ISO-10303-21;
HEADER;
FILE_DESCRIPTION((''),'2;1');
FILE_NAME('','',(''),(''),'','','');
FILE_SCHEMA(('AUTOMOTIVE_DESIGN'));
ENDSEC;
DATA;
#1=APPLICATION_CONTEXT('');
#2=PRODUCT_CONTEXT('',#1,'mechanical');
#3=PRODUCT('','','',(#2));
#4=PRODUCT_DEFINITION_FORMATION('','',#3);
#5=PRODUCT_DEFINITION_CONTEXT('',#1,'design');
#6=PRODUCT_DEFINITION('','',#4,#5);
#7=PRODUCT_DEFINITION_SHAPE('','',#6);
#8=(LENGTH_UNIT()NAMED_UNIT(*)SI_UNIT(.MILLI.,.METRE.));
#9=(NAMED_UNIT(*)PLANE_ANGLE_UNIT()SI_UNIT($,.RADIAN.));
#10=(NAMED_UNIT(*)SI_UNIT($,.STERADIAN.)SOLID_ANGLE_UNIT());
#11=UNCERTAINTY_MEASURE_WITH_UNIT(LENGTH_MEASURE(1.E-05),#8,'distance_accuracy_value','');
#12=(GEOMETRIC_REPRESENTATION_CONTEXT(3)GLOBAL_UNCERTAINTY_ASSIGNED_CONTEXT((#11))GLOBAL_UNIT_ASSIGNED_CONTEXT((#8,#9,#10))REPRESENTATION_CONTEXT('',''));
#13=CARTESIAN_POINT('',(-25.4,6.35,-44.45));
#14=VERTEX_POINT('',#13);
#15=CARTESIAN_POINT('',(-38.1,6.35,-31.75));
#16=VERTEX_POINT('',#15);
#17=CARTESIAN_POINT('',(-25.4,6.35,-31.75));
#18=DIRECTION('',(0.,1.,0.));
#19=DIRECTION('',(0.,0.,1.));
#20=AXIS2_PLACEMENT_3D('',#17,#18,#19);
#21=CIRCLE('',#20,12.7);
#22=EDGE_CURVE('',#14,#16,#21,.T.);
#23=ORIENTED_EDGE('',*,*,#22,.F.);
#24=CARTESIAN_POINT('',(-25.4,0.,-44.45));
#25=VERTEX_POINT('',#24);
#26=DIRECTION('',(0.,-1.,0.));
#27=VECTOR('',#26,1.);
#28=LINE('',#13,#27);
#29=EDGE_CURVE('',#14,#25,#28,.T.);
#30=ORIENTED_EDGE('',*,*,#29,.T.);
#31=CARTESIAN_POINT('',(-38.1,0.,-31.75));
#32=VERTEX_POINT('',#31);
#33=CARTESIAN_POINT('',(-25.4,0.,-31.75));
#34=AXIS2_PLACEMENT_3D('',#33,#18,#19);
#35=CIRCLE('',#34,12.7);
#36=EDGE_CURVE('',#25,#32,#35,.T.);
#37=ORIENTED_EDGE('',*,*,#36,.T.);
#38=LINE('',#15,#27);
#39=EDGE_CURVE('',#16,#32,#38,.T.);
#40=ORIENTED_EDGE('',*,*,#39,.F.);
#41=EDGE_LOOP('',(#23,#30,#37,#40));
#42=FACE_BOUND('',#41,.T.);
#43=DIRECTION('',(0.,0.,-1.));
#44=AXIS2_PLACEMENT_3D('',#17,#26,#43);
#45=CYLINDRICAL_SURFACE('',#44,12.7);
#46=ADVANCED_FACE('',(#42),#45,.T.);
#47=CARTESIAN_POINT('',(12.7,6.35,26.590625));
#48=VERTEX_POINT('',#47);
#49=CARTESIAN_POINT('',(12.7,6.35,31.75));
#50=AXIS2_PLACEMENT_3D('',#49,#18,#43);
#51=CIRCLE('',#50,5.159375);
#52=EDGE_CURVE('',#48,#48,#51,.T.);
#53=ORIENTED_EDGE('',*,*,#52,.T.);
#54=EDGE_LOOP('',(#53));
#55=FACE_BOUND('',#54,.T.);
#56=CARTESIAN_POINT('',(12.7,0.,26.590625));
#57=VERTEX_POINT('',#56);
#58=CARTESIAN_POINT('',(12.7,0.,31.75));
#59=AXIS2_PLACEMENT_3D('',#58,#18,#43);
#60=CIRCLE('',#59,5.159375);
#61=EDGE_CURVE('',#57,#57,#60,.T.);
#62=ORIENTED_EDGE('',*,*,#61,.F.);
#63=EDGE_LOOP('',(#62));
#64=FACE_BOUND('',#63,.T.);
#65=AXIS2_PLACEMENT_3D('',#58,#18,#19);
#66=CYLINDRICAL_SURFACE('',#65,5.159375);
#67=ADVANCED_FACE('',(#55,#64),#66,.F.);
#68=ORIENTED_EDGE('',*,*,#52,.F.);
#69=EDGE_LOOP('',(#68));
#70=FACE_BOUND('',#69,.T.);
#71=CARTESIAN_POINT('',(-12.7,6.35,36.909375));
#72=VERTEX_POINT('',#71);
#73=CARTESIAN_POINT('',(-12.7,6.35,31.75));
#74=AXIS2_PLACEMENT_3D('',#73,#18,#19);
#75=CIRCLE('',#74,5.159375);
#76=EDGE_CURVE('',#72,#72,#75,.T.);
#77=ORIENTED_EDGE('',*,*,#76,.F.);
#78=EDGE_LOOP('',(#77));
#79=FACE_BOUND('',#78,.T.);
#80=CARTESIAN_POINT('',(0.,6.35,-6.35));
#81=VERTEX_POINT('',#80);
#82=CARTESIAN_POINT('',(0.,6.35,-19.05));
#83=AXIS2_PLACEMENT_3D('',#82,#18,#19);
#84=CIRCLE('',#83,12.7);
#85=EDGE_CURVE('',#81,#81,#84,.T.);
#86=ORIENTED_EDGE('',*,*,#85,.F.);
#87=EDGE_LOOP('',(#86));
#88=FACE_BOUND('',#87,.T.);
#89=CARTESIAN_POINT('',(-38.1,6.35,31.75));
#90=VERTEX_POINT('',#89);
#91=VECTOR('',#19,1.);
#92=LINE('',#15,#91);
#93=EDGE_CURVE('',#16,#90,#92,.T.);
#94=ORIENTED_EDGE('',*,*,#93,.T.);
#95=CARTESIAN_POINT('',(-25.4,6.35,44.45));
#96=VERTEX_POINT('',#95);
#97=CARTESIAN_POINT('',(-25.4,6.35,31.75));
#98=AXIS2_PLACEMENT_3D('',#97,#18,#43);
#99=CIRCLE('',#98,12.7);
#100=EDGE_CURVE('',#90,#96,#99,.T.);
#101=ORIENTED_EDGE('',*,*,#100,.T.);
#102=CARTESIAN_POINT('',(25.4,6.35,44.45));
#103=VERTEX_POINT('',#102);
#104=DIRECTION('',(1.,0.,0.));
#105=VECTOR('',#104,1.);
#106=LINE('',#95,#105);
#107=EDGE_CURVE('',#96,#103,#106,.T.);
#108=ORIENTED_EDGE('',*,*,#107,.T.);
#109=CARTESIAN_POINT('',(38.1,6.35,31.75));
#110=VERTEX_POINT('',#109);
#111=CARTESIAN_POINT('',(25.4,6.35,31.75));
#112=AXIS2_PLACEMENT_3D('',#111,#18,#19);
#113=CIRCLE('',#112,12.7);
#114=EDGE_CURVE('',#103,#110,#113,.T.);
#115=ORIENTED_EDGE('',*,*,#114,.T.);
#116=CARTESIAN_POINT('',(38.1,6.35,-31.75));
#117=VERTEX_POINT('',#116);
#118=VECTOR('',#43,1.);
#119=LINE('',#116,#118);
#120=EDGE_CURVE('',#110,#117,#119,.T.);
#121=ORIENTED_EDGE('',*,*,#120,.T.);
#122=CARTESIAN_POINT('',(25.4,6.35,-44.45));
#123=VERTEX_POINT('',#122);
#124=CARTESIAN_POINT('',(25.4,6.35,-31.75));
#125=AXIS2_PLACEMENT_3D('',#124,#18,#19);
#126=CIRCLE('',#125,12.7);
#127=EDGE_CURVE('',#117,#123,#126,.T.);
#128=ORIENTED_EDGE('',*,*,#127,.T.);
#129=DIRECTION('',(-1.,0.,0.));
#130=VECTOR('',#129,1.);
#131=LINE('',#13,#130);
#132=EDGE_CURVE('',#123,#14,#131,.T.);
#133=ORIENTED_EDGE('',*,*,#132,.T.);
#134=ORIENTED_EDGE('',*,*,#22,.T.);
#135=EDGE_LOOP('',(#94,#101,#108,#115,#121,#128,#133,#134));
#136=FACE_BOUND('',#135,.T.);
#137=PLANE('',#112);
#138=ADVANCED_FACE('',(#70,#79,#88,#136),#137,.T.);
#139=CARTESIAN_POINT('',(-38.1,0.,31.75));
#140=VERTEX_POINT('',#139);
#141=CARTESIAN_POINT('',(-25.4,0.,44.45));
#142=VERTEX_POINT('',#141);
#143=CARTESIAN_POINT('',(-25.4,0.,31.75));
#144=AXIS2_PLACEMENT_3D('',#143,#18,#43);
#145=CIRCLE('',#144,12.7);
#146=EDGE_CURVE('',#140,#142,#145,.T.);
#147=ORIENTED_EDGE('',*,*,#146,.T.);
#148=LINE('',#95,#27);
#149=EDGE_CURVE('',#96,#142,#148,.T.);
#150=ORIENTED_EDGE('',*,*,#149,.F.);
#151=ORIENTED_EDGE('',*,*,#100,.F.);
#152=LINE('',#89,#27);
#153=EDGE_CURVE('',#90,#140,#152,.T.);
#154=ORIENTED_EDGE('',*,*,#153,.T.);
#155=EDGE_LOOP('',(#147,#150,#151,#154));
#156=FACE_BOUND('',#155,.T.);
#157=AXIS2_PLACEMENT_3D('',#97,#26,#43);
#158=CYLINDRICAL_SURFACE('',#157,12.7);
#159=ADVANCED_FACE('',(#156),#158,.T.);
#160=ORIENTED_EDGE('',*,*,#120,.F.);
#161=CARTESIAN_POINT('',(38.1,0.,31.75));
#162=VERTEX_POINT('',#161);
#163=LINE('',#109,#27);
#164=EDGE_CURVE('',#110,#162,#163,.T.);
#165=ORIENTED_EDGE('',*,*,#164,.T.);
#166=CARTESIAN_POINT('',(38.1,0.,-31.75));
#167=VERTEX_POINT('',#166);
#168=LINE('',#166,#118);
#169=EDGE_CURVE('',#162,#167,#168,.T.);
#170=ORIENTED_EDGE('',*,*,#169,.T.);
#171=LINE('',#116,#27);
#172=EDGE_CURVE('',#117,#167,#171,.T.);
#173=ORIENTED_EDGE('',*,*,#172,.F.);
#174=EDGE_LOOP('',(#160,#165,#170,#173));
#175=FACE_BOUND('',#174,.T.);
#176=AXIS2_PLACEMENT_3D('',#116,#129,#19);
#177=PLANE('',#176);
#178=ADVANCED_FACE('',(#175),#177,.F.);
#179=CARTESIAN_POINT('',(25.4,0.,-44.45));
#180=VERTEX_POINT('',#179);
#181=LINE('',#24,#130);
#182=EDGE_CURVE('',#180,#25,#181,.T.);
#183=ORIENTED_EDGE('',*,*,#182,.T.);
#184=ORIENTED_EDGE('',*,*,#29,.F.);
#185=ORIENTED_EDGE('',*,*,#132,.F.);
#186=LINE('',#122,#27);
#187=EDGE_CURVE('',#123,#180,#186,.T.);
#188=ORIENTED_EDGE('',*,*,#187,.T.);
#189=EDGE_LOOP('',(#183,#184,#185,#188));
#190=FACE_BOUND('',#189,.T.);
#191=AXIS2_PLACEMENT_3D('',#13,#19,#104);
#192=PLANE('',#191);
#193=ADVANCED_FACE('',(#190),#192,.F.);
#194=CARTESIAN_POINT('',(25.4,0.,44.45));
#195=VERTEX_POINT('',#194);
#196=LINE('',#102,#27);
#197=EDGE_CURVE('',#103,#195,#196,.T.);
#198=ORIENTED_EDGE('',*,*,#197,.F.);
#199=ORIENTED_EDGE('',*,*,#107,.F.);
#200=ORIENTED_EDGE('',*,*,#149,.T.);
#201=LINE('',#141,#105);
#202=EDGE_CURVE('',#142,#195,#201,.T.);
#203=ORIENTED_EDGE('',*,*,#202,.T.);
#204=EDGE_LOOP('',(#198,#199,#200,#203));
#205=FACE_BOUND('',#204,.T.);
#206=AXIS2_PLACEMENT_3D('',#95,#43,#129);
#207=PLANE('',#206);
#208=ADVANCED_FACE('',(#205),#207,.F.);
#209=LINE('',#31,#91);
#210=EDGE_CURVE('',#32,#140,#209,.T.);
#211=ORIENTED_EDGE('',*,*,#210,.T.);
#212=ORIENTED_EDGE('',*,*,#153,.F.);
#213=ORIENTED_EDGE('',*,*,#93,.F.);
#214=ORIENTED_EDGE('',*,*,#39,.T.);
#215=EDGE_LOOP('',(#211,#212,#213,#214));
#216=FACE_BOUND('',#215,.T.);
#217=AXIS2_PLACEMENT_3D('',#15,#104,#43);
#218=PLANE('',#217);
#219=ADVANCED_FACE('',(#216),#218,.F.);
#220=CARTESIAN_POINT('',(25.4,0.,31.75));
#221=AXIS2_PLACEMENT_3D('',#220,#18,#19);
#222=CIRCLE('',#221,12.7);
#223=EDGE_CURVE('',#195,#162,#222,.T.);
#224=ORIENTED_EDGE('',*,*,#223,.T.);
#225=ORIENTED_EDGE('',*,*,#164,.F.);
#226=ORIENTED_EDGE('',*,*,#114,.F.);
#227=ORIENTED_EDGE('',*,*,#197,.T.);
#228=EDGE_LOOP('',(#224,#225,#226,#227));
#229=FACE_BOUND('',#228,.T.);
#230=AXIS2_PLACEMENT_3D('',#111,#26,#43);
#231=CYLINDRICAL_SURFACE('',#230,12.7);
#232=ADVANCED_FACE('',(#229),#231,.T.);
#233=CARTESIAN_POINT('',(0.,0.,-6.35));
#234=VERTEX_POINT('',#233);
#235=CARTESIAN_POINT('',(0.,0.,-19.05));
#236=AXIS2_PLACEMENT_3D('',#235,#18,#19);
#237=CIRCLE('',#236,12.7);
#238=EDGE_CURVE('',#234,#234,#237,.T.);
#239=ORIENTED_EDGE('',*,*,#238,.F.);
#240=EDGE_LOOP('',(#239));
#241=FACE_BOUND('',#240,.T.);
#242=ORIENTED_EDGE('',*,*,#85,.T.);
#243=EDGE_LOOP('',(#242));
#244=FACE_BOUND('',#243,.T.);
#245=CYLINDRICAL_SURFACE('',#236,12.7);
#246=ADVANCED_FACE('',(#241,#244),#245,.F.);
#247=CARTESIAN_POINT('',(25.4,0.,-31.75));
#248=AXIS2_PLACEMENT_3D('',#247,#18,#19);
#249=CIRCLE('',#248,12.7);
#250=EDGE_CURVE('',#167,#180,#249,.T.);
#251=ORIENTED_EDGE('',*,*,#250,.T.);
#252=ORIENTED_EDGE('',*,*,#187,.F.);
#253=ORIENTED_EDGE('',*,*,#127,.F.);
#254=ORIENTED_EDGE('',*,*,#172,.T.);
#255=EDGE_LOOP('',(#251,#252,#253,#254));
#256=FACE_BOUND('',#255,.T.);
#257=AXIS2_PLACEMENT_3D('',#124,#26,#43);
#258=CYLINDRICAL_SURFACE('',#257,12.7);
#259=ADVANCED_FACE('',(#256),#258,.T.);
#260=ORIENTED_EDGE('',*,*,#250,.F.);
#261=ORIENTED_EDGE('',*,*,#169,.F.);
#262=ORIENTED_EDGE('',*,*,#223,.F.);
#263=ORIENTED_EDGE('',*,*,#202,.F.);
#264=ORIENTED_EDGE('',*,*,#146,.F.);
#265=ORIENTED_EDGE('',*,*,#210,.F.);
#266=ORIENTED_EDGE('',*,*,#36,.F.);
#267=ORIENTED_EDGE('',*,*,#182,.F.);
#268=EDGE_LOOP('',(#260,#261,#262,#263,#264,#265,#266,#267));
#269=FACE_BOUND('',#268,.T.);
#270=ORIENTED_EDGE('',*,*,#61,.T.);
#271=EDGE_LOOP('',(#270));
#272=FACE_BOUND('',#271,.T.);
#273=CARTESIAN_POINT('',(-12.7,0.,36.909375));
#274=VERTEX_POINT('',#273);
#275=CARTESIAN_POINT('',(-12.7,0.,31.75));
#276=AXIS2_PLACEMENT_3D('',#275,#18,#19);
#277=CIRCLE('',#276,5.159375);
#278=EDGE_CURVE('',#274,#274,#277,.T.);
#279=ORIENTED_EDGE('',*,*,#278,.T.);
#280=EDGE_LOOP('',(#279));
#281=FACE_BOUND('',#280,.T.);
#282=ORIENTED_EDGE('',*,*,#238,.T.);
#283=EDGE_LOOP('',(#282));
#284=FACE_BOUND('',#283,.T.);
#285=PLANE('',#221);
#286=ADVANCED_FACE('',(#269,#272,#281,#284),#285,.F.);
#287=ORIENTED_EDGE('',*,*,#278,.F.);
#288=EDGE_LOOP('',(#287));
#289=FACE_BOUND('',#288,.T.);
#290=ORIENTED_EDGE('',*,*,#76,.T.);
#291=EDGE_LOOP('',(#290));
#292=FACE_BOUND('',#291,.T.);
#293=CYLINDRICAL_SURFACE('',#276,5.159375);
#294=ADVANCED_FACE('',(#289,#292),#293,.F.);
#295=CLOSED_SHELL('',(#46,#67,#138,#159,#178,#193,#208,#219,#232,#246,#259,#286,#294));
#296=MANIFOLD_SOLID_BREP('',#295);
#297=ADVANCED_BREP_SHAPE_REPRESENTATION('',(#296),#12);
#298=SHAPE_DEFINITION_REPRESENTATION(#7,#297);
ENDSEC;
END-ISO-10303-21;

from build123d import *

# Parameters (mm, degrees)
BOSS_EXTRUDE1_DEPTH = 6.35
SKETCH2_R           = 12.7
SKETCH2_R_2         = 5.159375
CUT_EXTRUDE1_DEPTH  = 59.887477446


with BuildPart() as part:
    # Sketch1 → Boss-Extrude1 (new body)
    with BuildSketch(Plane(origin=(0, 0, 0), x_dir=(1, 0, 0), z_dir=(0, 1, 0))):
        with BuildLine():
            Line((-25.4, 44.45), (25.4, 44.45))
            ThreePointArc((25.4, 44.45), (34.380256121, 40.730256121), (38.1, 31.75))
            Line((38.1, 31.75), (38.1, -31.75))
            ThreePointArc((38.1, -31.75), (34.380256121, -40.730256121), (25.4, -44.45))
            Line((25.4, -44.45), (-25.4, -44.45))
            ThreePointArc((-25.4, -44.45), (-34.380256121, -40.730256121), (-38.1, -31.75))
            Line((-38.1, -31.75), (-38.1, 31.75))
            ThreePointArc((-38.1, 31.75), (-34.380256121, 40.730256121), (-25.4, 44.45))
        make_face()
    extrude(amount=BOSS_EXTRUDE1_DEPTH)

    # Sketch2 → Cut-Extrude1 (cut, through all)
    with BuildSketch(Plane(origin=(0, 6.35, 0), x_dir=(1, 0, 0), z_dir=(0, 1, 0))):
        with Locations(Location((0, 19.05, 0), (0, 0, 270))):
            Circle(SKETCH2_R)
        with Locations(Location((-12.7, -31.75, 0), (0, 0, 270))):
            Circle(SKETCH2_R_2)
        with Locations(Location((12.7, -31.75, 0), (0, 0, 90))):
            Circle(SKETCH2_R_2)
    extrude(amount=-CUT_EXTRUDE1_DEPTH, mode=Mode.SUBTRACT)


solid = part.part
